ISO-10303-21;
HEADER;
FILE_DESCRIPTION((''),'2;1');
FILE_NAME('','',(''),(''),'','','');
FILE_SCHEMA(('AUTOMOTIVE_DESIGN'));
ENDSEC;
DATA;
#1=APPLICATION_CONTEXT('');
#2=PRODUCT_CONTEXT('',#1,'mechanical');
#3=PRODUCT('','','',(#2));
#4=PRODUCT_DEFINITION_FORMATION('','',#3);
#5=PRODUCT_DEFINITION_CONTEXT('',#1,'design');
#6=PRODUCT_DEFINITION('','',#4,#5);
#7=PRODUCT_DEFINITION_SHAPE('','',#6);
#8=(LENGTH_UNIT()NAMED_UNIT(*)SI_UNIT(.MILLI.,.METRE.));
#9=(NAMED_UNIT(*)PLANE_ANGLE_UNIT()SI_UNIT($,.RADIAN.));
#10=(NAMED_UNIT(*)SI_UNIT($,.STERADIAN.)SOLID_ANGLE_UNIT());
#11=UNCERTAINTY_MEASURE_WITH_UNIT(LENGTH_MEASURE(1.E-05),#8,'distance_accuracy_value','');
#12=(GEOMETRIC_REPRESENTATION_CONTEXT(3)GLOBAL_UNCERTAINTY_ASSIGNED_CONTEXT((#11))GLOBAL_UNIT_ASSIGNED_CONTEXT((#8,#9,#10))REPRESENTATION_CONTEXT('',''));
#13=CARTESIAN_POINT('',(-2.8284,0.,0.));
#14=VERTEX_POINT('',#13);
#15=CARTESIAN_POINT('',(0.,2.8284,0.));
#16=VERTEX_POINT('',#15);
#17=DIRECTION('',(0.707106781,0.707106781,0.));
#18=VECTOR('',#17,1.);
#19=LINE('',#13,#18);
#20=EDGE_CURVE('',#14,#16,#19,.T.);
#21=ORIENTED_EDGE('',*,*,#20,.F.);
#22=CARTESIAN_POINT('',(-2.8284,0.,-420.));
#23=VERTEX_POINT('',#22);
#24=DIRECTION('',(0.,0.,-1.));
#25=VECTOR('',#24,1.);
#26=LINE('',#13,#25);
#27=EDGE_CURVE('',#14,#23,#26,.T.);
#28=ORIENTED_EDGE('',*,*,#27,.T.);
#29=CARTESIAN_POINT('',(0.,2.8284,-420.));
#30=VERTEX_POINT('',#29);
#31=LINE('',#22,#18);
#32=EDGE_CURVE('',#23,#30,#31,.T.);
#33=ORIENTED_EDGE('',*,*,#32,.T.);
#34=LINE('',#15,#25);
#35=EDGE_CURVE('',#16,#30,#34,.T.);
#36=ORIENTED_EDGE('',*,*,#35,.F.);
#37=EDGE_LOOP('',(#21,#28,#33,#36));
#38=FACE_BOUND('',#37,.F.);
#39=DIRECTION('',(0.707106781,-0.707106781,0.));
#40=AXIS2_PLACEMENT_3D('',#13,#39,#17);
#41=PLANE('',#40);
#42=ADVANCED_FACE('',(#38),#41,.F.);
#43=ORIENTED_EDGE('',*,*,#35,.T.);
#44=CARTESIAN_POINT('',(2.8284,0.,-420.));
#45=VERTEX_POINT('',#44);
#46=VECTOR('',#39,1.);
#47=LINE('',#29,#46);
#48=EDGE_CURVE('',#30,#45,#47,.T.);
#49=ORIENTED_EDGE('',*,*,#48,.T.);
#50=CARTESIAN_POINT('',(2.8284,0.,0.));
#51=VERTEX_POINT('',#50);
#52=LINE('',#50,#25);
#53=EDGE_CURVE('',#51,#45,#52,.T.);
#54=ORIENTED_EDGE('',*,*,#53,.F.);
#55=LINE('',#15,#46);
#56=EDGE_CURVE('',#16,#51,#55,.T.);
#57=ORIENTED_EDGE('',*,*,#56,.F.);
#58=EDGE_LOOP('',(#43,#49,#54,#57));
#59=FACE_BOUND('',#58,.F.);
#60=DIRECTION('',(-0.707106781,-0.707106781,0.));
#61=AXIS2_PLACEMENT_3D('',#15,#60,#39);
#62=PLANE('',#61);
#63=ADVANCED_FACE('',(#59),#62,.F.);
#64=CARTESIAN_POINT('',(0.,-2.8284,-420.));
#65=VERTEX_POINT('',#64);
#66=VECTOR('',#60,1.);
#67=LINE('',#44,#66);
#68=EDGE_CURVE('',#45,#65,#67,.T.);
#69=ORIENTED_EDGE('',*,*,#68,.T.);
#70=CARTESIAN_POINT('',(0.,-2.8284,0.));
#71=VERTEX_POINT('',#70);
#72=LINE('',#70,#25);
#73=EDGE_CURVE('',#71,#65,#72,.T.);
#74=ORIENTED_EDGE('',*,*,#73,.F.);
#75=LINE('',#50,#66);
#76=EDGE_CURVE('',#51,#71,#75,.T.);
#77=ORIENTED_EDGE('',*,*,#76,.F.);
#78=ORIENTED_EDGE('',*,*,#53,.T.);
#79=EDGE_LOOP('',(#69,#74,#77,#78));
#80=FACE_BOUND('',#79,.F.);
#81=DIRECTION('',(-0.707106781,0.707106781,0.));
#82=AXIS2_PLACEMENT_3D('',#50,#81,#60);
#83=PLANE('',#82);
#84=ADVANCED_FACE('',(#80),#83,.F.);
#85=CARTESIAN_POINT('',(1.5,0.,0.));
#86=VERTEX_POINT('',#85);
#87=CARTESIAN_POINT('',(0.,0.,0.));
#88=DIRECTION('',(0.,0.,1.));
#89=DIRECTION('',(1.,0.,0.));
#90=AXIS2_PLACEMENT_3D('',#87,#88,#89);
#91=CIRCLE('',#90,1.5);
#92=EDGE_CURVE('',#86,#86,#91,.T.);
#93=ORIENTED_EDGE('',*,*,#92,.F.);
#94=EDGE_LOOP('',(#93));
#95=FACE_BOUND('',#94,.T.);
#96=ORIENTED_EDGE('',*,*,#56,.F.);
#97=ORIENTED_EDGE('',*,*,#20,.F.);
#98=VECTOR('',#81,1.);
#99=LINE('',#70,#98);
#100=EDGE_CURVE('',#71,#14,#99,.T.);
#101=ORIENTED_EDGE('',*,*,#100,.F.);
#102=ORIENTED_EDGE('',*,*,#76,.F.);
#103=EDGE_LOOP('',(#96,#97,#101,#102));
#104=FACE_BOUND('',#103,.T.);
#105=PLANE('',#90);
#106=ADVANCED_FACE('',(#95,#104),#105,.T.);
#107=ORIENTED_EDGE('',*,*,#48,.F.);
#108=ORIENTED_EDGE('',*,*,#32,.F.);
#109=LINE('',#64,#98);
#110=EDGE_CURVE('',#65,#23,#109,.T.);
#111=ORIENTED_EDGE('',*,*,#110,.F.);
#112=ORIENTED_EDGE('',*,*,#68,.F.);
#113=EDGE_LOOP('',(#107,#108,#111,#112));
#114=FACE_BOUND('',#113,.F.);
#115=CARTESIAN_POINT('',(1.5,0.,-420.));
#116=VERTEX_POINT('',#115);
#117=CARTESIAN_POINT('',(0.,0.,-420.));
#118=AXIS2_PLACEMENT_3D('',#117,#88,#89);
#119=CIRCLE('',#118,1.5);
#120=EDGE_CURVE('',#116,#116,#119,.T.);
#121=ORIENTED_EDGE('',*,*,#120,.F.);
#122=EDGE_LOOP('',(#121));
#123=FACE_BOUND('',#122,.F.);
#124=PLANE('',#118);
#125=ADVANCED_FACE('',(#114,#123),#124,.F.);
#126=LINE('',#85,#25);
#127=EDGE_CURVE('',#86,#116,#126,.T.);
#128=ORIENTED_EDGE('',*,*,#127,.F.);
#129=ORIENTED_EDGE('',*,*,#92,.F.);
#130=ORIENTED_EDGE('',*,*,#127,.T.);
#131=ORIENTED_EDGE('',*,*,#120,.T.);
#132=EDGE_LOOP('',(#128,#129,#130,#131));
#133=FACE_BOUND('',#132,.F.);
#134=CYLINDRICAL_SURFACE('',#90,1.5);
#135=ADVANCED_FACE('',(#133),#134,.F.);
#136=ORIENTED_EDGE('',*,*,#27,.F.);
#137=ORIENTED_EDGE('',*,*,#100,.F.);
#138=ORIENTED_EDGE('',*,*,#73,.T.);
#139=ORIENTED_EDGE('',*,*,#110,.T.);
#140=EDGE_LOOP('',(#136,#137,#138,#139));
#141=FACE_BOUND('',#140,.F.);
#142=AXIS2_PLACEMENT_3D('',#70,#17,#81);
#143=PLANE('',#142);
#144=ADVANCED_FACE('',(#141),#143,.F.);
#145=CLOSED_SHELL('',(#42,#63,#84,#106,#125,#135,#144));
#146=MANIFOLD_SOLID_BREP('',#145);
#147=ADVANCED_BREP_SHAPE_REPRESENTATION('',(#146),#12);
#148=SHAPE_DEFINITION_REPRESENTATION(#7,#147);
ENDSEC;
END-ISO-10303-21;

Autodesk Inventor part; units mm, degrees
ref_plane "YZ Plane" through (0, 0, 0) normal (1, 0, 0) x (0, 1, 0)
ref_plane "XZ Plane" through (0, 0, 0) normal (0, 1, 0) x (-1, 0, 0)
ref_plane "XY Plane" through (0, 0, 0) normal (0, 0, 1) x (1, 0, 0)
sketch "スケッチ1" plane through (0, 0, 0) normal (0, 0, 1) x (1, 0, 0)
  circle A0 centre (0, 0) radius 1.5
  line L0 (-2.8284, 0) -> (0, 2.8284)
  line L1 (0, 2.8284) -> (2.8284, 0)
  line L2 (2.8284, 0) -> (0, -2.8284)
  line L3 (0, -2.8284) -> (-2.8284, 0)
  dimension "d0" = 3
  dimension "d1" = 4
extrude "押し出し1" add sketch "スケッチ1" against normal blind 420
properties part number "MainRod" material "CFRP"
